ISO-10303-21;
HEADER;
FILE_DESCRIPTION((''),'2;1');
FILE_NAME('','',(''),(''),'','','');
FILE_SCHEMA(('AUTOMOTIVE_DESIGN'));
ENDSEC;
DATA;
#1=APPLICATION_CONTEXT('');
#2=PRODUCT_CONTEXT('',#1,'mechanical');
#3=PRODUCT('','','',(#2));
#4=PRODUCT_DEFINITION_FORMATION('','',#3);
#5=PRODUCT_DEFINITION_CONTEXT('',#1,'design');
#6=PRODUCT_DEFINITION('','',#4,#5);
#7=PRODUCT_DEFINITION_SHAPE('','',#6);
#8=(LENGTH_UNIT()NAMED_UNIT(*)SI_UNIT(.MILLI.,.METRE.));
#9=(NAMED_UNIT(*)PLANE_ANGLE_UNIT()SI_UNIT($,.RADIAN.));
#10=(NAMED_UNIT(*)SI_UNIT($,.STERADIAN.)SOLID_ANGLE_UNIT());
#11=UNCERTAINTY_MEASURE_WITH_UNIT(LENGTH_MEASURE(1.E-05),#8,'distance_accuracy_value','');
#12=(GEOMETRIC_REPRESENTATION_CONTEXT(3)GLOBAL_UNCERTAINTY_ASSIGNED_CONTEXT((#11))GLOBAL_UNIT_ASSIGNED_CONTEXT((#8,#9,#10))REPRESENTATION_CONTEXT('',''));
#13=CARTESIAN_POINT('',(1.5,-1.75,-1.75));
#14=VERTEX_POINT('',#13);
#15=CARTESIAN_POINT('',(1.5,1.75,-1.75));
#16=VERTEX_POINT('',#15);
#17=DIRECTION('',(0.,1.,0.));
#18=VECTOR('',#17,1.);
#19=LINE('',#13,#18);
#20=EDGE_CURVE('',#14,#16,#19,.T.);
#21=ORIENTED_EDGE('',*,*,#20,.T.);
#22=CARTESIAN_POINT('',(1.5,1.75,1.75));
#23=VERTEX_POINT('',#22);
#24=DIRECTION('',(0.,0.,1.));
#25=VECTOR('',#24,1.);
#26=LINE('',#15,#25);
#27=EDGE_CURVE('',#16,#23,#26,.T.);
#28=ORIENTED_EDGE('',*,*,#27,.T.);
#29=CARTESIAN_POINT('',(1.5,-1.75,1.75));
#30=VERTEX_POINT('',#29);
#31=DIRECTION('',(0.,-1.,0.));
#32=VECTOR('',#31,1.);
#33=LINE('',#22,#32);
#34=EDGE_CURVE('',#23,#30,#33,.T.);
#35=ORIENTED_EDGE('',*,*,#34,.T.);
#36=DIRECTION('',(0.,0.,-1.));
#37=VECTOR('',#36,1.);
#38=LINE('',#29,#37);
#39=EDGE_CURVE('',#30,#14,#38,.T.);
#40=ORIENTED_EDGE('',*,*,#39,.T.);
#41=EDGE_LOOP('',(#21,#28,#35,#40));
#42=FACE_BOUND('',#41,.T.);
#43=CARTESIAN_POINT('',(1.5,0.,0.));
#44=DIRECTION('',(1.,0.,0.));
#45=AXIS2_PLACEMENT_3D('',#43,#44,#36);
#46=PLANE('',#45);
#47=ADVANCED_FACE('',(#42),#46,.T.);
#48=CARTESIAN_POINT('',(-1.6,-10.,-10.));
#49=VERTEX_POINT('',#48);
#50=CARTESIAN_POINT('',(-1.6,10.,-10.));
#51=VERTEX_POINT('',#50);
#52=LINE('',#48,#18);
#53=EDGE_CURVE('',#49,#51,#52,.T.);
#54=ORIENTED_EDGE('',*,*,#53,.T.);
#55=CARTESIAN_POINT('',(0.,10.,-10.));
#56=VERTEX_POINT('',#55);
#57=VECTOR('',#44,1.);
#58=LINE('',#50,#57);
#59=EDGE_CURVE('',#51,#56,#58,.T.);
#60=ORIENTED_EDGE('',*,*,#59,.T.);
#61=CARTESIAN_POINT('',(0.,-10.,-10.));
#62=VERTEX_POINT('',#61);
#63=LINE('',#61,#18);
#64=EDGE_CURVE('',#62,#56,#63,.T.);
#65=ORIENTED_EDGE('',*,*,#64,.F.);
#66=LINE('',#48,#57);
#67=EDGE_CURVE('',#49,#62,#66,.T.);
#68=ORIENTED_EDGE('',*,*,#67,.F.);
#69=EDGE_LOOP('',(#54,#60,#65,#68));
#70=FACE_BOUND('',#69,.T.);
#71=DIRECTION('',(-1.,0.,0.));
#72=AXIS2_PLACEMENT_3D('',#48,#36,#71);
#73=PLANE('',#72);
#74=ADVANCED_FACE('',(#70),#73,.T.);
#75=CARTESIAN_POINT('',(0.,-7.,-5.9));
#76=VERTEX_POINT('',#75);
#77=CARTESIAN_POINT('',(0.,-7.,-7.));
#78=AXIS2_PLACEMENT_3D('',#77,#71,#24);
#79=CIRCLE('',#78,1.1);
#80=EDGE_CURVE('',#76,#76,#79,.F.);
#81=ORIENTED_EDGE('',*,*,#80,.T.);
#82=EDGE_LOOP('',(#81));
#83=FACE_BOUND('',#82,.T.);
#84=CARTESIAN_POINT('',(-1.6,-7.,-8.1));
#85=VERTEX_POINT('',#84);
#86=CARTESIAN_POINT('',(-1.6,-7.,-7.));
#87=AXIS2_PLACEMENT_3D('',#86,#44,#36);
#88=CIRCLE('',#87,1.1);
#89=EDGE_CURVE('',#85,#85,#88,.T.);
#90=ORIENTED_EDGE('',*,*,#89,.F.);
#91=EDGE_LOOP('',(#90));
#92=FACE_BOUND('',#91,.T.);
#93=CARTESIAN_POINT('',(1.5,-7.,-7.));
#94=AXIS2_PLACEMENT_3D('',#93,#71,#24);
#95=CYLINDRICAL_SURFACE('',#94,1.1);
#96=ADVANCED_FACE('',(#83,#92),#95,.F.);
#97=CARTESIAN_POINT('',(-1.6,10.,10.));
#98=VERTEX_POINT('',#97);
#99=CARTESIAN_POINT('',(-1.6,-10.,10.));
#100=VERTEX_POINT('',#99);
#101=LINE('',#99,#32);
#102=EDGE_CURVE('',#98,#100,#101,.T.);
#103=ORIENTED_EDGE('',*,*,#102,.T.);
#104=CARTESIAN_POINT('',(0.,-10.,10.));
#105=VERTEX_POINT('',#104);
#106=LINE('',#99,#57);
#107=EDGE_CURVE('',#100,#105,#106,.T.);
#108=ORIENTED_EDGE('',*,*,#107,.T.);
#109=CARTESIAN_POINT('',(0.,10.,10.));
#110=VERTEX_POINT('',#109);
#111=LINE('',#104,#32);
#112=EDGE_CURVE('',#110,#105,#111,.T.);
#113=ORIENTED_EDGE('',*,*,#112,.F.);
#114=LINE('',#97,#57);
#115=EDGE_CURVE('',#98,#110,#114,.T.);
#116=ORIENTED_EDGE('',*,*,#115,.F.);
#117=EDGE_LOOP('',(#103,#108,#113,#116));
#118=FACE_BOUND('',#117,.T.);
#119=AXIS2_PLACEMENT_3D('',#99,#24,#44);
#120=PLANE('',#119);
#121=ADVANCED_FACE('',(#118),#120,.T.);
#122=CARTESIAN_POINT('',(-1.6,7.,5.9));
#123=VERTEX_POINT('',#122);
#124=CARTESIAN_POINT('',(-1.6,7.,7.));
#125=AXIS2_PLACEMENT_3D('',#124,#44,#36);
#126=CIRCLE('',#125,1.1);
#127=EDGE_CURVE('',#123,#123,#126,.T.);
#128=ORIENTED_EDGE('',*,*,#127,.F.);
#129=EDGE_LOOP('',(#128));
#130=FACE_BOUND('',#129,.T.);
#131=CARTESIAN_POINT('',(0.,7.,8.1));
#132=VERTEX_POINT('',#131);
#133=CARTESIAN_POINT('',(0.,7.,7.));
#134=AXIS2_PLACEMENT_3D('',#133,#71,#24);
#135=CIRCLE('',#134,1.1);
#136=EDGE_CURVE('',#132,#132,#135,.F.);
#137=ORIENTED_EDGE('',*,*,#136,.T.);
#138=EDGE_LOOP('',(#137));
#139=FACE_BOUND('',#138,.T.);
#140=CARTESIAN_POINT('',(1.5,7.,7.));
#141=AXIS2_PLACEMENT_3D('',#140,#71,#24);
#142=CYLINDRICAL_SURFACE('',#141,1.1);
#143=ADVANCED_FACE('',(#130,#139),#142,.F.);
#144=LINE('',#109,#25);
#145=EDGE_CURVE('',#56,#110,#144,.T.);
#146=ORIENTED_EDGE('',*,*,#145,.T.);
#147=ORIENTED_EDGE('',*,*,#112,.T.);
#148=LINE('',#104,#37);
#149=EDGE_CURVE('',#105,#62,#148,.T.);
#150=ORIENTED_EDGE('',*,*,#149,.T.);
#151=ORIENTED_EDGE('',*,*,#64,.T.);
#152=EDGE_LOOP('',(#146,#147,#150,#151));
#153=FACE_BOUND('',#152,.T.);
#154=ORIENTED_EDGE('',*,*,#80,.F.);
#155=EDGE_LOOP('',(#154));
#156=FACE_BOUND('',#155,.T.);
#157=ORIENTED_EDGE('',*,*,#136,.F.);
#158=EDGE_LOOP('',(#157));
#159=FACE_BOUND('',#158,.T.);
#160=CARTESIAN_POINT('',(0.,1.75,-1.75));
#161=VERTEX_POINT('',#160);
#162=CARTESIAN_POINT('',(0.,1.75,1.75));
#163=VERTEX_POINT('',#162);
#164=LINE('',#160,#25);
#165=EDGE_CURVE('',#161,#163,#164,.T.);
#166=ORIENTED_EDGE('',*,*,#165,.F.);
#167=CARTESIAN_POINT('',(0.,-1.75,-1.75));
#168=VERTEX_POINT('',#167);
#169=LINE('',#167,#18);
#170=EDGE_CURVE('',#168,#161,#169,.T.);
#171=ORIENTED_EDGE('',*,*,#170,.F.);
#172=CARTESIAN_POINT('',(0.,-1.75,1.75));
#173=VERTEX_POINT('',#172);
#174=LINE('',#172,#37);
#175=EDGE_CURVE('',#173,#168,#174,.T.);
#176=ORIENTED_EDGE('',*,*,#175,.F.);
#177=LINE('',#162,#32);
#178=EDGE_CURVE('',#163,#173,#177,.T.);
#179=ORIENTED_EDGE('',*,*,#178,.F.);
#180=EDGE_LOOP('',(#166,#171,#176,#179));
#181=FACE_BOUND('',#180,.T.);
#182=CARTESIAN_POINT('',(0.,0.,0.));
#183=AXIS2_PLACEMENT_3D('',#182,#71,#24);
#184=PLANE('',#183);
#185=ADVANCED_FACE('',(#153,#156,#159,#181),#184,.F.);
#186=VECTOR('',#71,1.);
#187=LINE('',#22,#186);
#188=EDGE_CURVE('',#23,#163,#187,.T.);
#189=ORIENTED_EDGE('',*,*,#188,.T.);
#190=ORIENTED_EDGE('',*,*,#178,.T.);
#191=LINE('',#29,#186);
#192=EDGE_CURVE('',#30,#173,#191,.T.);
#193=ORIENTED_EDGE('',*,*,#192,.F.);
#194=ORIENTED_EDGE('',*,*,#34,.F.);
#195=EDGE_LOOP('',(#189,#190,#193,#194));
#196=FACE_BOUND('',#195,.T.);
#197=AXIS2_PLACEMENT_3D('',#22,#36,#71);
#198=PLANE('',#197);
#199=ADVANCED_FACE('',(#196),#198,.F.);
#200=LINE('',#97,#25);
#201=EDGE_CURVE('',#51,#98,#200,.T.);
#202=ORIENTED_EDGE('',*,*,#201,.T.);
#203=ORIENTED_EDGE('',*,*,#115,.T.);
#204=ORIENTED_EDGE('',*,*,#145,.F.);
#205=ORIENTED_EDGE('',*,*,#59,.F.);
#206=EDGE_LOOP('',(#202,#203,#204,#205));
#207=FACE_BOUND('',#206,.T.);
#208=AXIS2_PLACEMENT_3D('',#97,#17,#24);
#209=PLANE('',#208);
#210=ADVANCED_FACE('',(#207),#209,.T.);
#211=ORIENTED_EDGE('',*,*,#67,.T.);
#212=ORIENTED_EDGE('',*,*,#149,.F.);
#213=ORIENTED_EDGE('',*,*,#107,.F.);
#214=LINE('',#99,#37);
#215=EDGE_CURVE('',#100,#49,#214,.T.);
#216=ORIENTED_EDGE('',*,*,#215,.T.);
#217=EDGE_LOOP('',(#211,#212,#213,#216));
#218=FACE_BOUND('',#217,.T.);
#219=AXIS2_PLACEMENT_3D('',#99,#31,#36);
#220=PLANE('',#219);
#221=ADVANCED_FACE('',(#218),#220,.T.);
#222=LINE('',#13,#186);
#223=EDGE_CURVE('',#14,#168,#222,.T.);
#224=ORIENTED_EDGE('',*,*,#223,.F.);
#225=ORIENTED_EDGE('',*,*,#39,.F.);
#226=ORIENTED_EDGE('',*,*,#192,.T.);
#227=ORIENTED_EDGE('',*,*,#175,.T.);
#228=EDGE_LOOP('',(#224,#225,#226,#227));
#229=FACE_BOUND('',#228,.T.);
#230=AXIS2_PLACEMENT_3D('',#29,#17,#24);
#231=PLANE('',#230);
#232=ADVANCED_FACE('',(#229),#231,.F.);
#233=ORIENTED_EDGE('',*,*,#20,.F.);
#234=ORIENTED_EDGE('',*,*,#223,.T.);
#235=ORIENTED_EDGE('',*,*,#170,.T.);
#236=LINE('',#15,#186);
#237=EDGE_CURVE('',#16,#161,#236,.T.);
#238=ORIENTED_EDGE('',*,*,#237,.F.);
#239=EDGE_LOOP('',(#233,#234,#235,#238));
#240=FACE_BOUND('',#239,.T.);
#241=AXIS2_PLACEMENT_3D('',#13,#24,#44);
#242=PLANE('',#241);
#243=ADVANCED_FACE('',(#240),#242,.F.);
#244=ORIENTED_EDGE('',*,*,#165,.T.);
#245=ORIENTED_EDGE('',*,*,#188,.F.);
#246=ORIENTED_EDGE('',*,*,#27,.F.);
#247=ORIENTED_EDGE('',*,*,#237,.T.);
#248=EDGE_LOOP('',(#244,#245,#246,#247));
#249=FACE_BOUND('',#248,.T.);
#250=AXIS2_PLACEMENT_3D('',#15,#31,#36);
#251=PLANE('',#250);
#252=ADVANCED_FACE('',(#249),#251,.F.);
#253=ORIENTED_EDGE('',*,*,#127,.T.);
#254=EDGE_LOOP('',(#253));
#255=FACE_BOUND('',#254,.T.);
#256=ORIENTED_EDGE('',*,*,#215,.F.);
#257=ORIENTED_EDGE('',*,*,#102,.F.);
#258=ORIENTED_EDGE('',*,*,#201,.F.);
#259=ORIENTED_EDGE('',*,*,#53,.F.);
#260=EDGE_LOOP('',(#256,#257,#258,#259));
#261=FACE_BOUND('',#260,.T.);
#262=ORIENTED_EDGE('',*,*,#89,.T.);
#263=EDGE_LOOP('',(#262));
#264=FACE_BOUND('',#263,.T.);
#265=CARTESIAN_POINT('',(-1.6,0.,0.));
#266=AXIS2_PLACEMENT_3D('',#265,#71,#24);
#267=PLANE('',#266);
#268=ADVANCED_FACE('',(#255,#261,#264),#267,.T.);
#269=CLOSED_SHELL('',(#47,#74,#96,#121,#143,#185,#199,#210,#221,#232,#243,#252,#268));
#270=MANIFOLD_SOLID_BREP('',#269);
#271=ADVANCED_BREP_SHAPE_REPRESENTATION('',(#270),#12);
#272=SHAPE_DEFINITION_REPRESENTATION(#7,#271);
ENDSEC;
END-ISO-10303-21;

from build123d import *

# Parameters (mm, degrees)
SKETCH1_W           = 20
SKETCH1_H           = 20
BOARD_DEPTH         = 1.6
SKETCH2_W           = 3.5
SKETCH2_H           = 3.5
UV_LED_3535_DEPTH   = 1.5
HOLES_M2_DEPTH      = 15.2323575
HOLES_M2_DEPTH_BACK = 15.2323575
SKETCH3_R           = 1.1


with BuildPart() as part:
    # Sketch1 → Board (new body)
    with BuildSketch(Plane(origin=(0, 0, 0), x_dir=(0, 0, -1), z_dir=(1, 0, 0))):
        Rectangle(SKETCH1_W, SKETCH1_H)
    extrude(amount=-BOARD_DEPTH)

    # Sketch2 → UV_LED_3535 (add)
    with BuildSketch(Plane(origin=(0, 0, 0), x_dir=(0, 0, -1), z_dir=(1, 0, 0))):
        Rectangle(SKETCH2_W, SKETCH2_H)
    extrude(amount=UV_LED_3535_DEPTH)

    # Sketch3 → Holes_M2 (cut, two sides: drawn at the far end of the back side and taken through both)
    with BuildSketch(Plane(origin=(0, 0, 0), x_dir=(0, 0, -1), z_dir=(1, 0, 0)).offset(-HOLES_M2_DEPTH_BACK)):
        with Locations(Location((7, -7, 0), (0, 0, 180))):
            Circle(SKETCH3_R)
        with Locations(Location((-7, 7, 0), (0, 0, 180))):
            Circle(SKETCH3_R)
    extrude(amount=HOLES_M2_DEPTH + HOLES_M2_DEPTH_BACK, mode=Mode.SUBTRACT)


solid = part.part
